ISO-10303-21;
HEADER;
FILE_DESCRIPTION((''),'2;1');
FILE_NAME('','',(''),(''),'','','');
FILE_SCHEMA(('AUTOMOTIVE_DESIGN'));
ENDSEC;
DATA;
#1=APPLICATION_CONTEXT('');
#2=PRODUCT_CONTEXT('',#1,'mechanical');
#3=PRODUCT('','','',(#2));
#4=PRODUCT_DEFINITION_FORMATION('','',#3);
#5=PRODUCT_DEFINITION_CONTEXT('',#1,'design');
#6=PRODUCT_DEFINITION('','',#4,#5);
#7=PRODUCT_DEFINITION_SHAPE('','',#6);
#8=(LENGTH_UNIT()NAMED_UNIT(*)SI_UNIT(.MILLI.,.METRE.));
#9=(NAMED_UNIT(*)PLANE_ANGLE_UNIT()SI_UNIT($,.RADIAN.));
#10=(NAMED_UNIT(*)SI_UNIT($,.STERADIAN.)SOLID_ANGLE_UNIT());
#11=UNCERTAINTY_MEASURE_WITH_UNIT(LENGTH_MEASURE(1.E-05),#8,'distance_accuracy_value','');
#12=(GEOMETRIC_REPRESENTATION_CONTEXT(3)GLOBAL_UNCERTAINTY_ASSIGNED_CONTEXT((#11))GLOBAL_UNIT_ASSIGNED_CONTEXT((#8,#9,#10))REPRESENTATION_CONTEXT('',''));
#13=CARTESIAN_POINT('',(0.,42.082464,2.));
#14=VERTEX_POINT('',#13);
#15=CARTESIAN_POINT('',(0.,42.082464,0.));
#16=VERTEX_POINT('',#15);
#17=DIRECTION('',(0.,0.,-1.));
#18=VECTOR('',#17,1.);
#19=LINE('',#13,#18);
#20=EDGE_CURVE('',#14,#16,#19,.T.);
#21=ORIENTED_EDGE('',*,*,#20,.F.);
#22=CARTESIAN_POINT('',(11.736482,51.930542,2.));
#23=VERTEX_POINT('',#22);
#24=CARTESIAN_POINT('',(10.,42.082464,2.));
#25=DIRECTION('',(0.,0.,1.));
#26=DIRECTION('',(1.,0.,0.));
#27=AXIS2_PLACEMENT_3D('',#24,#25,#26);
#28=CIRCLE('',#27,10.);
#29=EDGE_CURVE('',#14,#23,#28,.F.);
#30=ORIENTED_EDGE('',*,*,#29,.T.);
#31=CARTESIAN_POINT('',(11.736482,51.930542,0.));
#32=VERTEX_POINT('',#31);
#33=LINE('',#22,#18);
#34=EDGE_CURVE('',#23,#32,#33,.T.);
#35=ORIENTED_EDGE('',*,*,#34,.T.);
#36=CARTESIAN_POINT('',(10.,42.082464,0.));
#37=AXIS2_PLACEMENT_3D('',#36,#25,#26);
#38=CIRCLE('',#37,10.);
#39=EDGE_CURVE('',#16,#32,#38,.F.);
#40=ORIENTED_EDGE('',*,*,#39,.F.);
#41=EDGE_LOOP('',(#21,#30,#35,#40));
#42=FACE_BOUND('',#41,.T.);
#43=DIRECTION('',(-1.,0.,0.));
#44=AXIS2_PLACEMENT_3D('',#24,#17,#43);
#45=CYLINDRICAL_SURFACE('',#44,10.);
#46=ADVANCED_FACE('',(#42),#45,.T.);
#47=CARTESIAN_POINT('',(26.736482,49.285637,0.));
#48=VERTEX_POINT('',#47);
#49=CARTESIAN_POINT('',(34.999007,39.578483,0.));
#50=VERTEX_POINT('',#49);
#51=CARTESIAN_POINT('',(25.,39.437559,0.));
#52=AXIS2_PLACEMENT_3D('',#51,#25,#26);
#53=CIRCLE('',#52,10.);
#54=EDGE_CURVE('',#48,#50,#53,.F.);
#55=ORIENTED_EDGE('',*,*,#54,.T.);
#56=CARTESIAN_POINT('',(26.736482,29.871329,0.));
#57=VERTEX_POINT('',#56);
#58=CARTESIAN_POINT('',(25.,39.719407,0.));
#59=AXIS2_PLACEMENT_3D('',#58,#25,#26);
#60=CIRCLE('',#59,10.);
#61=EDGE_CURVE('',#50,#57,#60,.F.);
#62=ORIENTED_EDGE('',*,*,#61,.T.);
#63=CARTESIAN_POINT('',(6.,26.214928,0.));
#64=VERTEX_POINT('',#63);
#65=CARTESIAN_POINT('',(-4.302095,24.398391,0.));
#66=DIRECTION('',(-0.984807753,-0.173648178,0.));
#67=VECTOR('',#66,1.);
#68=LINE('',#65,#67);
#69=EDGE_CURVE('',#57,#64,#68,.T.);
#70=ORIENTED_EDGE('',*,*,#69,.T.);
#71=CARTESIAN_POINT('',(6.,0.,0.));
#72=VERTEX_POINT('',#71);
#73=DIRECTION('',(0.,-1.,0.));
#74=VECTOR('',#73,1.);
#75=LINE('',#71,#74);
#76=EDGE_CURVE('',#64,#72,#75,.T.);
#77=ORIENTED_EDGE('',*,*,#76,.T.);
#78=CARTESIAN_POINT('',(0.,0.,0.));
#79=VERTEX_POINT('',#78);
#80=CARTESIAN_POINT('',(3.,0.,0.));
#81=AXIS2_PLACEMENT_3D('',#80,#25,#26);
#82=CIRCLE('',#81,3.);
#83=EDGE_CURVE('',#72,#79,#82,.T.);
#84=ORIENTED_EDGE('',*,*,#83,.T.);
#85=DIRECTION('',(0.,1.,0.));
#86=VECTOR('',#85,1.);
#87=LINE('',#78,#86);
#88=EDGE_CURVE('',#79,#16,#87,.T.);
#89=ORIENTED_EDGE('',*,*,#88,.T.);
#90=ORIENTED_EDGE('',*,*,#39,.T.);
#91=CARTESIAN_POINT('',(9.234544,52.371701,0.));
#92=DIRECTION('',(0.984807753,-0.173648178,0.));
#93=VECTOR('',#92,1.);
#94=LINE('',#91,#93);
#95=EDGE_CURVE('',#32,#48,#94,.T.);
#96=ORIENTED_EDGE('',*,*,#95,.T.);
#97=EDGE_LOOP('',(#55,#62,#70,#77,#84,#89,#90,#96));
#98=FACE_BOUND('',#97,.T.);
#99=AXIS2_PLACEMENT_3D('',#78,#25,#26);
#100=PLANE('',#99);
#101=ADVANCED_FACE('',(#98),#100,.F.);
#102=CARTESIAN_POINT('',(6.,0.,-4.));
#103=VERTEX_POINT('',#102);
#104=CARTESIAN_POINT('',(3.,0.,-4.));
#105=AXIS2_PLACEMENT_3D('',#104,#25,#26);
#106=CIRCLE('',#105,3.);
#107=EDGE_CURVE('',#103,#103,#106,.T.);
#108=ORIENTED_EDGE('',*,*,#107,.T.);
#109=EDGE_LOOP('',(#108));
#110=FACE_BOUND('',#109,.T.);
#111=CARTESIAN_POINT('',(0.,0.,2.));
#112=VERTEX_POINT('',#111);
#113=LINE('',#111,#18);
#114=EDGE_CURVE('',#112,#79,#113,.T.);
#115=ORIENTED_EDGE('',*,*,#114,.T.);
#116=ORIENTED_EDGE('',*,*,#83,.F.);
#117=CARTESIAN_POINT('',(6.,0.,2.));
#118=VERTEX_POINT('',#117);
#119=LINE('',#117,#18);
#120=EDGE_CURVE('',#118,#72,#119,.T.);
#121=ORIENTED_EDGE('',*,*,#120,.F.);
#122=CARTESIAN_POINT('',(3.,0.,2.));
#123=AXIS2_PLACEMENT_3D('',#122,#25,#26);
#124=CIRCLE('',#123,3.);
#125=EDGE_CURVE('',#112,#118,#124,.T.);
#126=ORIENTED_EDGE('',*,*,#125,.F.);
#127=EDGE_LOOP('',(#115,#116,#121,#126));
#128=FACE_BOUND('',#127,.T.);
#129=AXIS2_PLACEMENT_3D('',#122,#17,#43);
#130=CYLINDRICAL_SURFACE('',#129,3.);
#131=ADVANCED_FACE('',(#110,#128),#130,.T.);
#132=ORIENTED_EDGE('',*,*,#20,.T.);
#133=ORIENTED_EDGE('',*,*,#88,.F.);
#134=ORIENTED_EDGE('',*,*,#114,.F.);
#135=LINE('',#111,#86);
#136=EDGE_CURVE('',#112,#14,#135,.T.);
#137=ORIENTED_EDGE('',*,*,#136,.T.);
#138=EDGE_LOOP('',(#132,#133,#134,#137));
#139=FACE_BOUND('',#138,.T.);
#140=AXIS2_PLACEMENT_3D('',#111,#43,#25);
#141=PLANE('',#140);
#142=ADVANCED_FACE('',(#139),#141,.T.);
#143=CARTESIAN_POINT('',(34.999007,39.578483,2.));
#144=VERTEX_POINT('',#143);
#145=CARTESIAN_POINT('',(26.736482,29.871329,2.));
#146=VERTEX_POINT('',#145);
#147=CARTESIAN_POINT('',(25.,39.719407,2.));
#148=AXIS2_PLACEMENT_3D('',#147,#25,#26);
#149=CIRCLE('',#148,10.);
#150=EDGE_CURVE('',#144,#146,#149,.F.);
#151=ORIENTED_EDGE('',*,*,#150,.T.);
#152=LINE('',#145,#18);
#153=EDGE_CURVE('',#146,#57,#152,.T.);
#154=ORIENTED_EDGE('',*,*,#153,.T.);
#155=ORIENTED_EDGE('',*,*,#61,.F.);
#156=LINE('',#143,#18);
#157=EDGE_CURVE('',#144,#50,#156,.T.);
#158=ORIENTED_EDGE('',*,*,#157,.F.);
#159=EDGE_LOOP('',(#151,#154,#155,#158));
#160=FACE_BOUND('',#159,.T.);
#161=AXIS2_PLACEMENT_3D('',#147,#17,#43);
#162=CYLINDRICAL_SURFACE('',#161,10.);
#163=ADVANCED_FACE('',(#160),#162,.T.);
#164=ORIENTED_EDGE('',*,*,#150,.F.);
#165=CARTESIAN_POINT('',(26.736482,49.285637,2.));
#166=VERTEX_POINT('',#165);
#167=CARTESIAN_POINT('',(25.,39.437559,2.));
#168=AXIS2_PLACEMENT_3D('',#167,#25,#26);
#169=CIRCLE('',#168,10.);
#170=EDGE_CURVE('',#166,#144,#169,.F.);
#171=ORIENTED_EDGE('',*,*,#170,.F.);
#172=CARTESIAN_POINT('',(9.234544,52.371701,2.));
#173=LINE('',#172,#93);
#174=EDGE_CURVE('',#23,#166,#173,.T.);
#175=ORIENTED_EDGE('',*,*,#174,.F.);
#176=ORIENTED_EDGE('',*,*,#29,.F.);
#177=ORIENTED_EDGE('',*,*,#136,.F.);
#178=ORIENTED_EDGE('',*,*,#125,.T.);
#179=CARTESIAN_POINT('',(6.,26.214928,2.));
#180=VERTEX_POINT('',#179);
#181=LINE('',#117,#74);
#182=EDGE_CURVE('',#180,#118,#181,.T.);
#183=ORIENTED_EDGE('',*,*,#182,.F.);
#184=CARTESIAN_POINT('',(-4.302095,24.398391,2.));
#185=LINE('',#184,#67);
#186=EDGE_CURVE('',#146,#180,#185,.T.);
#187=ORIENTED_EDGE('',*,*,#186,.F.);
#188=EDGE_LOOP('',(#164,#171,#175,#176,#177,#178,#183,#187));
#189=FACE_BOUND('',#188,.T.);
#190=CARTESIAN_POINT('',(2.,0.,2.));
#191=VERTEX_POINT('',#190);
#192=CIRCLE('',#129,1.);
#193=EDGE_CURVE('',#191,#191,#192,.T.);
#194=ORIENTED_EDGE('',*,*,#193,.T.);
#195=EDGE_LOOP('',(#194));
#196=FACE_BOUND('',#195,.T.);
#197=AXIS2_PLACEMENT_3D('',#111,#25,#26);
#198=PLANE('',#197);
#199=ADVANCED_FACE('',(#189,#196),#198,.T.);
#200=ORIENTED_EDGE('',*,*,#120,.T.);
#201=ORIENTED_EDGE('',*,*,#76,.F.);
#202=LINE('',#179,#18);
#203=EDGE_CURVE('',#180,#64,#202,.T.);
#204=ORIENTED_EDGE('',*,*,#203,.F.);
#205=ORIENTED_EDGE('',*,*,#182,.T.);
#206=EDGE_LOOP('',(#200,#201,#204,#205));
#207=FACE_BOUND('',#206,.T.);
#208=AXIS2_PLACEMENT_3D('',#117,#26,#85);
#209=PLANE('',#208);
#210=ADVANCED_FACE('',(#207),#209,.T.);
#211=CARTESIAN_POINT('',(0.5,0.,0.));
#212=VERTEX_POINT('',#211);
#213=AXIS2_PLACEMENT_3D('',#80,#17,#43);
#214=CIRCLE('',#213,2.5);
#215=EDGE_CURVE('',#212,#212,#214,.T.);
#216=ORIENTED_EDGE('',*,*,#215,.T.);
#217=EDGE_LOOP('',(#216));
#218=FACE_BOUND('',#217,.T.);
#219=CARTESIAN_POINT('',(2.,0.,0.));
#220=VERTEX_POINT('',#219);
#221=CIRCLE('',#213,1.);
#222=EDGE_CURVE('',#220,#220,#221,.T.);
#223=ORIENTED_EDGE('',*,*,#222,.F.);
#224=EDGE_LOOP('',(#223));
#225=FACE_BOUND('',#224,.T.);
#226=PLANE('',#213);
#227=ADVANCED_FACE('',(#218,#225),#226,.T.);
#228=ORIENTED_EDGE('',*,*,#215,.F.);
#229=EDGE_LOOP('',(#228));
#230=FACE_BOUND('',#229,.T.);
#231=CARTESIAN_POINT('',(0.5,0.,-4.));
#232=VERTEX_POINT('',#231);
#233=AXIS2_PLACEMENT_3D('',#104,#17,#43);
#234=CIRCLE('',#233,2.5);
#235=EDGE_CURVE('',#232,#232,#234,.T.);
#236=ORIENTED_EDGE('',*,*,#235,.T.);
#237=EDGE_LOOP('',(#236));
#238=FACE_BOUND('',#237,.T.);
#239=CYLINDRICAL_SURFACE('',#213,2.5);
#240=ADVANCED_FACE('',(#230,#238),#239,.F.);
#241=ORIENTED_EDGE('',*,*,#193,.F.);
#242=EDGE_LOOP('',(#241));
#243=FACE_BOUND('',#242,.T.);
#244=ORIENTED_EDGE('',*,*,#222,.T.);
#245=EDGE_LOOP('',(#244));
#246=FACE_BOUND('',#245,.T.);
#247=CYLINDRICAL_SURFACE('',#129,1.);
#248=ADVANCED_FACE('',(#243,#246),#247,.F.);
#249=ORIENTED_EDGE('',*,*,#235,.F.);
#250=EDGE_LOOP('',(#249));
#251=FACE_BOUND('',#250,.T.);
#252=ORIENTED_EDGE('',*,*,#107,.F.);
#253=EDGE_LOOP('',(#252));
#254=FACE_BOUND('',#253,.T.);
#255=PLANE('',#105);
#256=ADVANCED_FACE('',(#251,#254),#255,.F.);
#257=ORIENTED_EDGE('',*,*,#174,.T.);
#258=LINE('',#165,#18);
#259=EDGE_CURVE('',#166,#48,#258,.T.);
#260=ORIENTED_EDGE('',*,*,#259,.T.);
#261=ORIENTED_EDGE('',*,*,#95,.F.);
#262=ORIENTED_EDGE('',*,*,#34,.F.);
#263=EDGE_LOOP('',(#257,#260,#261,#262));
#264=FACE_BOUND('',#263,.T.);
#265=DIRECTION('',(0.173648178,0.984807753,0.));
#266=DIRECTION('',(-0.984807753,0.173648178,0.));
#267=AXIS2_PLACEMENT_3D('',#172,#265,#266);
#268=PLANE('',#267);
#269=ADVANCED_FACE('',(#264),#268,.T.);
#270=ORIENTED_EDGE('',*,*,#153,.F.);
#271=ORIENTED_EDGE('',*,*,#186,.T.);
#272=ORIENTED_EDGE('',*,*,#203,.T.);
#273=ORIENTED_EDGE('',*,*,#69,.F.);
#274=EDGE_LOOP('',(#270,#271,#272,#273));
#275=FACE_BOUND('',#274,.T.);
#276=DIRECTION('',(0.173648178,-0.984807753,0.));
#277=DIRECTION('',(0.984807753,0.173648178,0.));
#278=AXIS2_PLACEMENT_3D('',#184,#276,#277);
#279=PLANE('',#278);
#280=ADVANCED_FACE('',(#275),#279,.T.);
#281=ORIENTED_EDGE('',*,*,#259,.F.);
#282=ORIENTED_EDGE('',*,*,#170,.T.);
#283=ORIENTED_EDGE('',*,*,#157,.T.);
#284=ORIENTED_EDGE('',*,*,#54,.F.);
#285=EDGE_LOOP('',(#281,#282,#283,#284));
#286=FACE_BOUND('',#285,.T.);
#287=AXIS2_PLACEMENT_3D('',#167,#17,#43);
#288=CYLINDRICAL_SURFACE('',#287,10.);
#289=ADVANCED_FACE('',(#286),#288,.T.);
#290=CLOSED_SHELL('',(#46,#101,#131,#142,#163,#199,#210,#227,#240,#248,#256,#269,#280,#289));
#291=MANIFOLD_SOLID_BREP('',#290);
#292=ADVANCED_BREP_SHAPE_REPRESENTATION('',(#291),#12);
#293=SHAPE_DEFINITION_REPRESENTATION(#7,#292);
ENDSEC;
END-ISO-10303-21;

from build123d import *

# Parameters (mm, degrees)
BOSS_EXTRUDE1_DEPTH = 2
BOSS_EXTRUDE2_START = -6
SKETCH2_R           = 3
BOSS_EXTRUDE2_DEPTH = 6
SKETCH3_R           = 2.5
CUT_EXTRUDE1_DEPTH  = 4
SKETCH4_R           = 1
CUT_EXTRUDE2_DEPTH  = 2


with BuildPart() as part:
    # Sketch1 → Boss-Extrude1 (new body)
    with BuildSketch(Plane.XY):
        with BuildLine():
            Line((0, 42.082464074), (0, 0))
            ThreePointArc((0, 0), (3, -3), (6, 0))
            Line((6, 0), (6, 26.214927972))
            Line((6, 26.214927972), (26.736481777, 29.871329194))
            ThreePointArc((26.736481777, 29.871329194), (32.614961131, 33.237711964), (34.999006977, 39.578483044))
            ThreePointArc((34.999006977, 39.578483044), (32.614961131, 45.919254124), (26.736481777, 49.285636894))
            Line((26.736481777, 49.285636894), (11.736481777, 51.930541604))
            ThreePointArc((11.736481777, 51.930541604), (3.572123903, 49.742908505), (0, 42.082464074))
        make_face()
    extrude(amount=BOSS_EXTRUDE1_DEPTH)

    # Sketch2 → Boss-Extrude2 (add)
    with BuildSketch(Plane.XY.offset(2).offset(BOSS_EXTRUDE2_START)):
        with Locations((3, 0)):
            Circle(SKETCH2_R)
    extrude(amount=BOSS_EXTRUDE2_DEPTH)

    # Sketch3 → Cut-Extrude1 (cut)
    with BuildSketch(Plane(origin=(0, 0, -4), x_dir=(-1, 0, 0), z_dir=(0, 0, -1))):
        with Locations((-3, 0)):
            Circle(SKETCH3_R)
    extrude(amount=-CUT_EXTRUDE1_DEPTH, mode=Mode.SUBTRACT)

    # Sketch4 → Cut-Extrude2 (cut)
    with BuildSketch(Plane(origin=(0, 0, 0), x_dir=(-1, 0, 0), z_dir=(0, 0, -1))):
        with Locations((-3, 0)):
            Circle(SKETCH4_R)
    extrude(amount=-CUT_EXTRUDE2_DEPTH, mode=Mode.SUBTRACT)


solid = part.part
